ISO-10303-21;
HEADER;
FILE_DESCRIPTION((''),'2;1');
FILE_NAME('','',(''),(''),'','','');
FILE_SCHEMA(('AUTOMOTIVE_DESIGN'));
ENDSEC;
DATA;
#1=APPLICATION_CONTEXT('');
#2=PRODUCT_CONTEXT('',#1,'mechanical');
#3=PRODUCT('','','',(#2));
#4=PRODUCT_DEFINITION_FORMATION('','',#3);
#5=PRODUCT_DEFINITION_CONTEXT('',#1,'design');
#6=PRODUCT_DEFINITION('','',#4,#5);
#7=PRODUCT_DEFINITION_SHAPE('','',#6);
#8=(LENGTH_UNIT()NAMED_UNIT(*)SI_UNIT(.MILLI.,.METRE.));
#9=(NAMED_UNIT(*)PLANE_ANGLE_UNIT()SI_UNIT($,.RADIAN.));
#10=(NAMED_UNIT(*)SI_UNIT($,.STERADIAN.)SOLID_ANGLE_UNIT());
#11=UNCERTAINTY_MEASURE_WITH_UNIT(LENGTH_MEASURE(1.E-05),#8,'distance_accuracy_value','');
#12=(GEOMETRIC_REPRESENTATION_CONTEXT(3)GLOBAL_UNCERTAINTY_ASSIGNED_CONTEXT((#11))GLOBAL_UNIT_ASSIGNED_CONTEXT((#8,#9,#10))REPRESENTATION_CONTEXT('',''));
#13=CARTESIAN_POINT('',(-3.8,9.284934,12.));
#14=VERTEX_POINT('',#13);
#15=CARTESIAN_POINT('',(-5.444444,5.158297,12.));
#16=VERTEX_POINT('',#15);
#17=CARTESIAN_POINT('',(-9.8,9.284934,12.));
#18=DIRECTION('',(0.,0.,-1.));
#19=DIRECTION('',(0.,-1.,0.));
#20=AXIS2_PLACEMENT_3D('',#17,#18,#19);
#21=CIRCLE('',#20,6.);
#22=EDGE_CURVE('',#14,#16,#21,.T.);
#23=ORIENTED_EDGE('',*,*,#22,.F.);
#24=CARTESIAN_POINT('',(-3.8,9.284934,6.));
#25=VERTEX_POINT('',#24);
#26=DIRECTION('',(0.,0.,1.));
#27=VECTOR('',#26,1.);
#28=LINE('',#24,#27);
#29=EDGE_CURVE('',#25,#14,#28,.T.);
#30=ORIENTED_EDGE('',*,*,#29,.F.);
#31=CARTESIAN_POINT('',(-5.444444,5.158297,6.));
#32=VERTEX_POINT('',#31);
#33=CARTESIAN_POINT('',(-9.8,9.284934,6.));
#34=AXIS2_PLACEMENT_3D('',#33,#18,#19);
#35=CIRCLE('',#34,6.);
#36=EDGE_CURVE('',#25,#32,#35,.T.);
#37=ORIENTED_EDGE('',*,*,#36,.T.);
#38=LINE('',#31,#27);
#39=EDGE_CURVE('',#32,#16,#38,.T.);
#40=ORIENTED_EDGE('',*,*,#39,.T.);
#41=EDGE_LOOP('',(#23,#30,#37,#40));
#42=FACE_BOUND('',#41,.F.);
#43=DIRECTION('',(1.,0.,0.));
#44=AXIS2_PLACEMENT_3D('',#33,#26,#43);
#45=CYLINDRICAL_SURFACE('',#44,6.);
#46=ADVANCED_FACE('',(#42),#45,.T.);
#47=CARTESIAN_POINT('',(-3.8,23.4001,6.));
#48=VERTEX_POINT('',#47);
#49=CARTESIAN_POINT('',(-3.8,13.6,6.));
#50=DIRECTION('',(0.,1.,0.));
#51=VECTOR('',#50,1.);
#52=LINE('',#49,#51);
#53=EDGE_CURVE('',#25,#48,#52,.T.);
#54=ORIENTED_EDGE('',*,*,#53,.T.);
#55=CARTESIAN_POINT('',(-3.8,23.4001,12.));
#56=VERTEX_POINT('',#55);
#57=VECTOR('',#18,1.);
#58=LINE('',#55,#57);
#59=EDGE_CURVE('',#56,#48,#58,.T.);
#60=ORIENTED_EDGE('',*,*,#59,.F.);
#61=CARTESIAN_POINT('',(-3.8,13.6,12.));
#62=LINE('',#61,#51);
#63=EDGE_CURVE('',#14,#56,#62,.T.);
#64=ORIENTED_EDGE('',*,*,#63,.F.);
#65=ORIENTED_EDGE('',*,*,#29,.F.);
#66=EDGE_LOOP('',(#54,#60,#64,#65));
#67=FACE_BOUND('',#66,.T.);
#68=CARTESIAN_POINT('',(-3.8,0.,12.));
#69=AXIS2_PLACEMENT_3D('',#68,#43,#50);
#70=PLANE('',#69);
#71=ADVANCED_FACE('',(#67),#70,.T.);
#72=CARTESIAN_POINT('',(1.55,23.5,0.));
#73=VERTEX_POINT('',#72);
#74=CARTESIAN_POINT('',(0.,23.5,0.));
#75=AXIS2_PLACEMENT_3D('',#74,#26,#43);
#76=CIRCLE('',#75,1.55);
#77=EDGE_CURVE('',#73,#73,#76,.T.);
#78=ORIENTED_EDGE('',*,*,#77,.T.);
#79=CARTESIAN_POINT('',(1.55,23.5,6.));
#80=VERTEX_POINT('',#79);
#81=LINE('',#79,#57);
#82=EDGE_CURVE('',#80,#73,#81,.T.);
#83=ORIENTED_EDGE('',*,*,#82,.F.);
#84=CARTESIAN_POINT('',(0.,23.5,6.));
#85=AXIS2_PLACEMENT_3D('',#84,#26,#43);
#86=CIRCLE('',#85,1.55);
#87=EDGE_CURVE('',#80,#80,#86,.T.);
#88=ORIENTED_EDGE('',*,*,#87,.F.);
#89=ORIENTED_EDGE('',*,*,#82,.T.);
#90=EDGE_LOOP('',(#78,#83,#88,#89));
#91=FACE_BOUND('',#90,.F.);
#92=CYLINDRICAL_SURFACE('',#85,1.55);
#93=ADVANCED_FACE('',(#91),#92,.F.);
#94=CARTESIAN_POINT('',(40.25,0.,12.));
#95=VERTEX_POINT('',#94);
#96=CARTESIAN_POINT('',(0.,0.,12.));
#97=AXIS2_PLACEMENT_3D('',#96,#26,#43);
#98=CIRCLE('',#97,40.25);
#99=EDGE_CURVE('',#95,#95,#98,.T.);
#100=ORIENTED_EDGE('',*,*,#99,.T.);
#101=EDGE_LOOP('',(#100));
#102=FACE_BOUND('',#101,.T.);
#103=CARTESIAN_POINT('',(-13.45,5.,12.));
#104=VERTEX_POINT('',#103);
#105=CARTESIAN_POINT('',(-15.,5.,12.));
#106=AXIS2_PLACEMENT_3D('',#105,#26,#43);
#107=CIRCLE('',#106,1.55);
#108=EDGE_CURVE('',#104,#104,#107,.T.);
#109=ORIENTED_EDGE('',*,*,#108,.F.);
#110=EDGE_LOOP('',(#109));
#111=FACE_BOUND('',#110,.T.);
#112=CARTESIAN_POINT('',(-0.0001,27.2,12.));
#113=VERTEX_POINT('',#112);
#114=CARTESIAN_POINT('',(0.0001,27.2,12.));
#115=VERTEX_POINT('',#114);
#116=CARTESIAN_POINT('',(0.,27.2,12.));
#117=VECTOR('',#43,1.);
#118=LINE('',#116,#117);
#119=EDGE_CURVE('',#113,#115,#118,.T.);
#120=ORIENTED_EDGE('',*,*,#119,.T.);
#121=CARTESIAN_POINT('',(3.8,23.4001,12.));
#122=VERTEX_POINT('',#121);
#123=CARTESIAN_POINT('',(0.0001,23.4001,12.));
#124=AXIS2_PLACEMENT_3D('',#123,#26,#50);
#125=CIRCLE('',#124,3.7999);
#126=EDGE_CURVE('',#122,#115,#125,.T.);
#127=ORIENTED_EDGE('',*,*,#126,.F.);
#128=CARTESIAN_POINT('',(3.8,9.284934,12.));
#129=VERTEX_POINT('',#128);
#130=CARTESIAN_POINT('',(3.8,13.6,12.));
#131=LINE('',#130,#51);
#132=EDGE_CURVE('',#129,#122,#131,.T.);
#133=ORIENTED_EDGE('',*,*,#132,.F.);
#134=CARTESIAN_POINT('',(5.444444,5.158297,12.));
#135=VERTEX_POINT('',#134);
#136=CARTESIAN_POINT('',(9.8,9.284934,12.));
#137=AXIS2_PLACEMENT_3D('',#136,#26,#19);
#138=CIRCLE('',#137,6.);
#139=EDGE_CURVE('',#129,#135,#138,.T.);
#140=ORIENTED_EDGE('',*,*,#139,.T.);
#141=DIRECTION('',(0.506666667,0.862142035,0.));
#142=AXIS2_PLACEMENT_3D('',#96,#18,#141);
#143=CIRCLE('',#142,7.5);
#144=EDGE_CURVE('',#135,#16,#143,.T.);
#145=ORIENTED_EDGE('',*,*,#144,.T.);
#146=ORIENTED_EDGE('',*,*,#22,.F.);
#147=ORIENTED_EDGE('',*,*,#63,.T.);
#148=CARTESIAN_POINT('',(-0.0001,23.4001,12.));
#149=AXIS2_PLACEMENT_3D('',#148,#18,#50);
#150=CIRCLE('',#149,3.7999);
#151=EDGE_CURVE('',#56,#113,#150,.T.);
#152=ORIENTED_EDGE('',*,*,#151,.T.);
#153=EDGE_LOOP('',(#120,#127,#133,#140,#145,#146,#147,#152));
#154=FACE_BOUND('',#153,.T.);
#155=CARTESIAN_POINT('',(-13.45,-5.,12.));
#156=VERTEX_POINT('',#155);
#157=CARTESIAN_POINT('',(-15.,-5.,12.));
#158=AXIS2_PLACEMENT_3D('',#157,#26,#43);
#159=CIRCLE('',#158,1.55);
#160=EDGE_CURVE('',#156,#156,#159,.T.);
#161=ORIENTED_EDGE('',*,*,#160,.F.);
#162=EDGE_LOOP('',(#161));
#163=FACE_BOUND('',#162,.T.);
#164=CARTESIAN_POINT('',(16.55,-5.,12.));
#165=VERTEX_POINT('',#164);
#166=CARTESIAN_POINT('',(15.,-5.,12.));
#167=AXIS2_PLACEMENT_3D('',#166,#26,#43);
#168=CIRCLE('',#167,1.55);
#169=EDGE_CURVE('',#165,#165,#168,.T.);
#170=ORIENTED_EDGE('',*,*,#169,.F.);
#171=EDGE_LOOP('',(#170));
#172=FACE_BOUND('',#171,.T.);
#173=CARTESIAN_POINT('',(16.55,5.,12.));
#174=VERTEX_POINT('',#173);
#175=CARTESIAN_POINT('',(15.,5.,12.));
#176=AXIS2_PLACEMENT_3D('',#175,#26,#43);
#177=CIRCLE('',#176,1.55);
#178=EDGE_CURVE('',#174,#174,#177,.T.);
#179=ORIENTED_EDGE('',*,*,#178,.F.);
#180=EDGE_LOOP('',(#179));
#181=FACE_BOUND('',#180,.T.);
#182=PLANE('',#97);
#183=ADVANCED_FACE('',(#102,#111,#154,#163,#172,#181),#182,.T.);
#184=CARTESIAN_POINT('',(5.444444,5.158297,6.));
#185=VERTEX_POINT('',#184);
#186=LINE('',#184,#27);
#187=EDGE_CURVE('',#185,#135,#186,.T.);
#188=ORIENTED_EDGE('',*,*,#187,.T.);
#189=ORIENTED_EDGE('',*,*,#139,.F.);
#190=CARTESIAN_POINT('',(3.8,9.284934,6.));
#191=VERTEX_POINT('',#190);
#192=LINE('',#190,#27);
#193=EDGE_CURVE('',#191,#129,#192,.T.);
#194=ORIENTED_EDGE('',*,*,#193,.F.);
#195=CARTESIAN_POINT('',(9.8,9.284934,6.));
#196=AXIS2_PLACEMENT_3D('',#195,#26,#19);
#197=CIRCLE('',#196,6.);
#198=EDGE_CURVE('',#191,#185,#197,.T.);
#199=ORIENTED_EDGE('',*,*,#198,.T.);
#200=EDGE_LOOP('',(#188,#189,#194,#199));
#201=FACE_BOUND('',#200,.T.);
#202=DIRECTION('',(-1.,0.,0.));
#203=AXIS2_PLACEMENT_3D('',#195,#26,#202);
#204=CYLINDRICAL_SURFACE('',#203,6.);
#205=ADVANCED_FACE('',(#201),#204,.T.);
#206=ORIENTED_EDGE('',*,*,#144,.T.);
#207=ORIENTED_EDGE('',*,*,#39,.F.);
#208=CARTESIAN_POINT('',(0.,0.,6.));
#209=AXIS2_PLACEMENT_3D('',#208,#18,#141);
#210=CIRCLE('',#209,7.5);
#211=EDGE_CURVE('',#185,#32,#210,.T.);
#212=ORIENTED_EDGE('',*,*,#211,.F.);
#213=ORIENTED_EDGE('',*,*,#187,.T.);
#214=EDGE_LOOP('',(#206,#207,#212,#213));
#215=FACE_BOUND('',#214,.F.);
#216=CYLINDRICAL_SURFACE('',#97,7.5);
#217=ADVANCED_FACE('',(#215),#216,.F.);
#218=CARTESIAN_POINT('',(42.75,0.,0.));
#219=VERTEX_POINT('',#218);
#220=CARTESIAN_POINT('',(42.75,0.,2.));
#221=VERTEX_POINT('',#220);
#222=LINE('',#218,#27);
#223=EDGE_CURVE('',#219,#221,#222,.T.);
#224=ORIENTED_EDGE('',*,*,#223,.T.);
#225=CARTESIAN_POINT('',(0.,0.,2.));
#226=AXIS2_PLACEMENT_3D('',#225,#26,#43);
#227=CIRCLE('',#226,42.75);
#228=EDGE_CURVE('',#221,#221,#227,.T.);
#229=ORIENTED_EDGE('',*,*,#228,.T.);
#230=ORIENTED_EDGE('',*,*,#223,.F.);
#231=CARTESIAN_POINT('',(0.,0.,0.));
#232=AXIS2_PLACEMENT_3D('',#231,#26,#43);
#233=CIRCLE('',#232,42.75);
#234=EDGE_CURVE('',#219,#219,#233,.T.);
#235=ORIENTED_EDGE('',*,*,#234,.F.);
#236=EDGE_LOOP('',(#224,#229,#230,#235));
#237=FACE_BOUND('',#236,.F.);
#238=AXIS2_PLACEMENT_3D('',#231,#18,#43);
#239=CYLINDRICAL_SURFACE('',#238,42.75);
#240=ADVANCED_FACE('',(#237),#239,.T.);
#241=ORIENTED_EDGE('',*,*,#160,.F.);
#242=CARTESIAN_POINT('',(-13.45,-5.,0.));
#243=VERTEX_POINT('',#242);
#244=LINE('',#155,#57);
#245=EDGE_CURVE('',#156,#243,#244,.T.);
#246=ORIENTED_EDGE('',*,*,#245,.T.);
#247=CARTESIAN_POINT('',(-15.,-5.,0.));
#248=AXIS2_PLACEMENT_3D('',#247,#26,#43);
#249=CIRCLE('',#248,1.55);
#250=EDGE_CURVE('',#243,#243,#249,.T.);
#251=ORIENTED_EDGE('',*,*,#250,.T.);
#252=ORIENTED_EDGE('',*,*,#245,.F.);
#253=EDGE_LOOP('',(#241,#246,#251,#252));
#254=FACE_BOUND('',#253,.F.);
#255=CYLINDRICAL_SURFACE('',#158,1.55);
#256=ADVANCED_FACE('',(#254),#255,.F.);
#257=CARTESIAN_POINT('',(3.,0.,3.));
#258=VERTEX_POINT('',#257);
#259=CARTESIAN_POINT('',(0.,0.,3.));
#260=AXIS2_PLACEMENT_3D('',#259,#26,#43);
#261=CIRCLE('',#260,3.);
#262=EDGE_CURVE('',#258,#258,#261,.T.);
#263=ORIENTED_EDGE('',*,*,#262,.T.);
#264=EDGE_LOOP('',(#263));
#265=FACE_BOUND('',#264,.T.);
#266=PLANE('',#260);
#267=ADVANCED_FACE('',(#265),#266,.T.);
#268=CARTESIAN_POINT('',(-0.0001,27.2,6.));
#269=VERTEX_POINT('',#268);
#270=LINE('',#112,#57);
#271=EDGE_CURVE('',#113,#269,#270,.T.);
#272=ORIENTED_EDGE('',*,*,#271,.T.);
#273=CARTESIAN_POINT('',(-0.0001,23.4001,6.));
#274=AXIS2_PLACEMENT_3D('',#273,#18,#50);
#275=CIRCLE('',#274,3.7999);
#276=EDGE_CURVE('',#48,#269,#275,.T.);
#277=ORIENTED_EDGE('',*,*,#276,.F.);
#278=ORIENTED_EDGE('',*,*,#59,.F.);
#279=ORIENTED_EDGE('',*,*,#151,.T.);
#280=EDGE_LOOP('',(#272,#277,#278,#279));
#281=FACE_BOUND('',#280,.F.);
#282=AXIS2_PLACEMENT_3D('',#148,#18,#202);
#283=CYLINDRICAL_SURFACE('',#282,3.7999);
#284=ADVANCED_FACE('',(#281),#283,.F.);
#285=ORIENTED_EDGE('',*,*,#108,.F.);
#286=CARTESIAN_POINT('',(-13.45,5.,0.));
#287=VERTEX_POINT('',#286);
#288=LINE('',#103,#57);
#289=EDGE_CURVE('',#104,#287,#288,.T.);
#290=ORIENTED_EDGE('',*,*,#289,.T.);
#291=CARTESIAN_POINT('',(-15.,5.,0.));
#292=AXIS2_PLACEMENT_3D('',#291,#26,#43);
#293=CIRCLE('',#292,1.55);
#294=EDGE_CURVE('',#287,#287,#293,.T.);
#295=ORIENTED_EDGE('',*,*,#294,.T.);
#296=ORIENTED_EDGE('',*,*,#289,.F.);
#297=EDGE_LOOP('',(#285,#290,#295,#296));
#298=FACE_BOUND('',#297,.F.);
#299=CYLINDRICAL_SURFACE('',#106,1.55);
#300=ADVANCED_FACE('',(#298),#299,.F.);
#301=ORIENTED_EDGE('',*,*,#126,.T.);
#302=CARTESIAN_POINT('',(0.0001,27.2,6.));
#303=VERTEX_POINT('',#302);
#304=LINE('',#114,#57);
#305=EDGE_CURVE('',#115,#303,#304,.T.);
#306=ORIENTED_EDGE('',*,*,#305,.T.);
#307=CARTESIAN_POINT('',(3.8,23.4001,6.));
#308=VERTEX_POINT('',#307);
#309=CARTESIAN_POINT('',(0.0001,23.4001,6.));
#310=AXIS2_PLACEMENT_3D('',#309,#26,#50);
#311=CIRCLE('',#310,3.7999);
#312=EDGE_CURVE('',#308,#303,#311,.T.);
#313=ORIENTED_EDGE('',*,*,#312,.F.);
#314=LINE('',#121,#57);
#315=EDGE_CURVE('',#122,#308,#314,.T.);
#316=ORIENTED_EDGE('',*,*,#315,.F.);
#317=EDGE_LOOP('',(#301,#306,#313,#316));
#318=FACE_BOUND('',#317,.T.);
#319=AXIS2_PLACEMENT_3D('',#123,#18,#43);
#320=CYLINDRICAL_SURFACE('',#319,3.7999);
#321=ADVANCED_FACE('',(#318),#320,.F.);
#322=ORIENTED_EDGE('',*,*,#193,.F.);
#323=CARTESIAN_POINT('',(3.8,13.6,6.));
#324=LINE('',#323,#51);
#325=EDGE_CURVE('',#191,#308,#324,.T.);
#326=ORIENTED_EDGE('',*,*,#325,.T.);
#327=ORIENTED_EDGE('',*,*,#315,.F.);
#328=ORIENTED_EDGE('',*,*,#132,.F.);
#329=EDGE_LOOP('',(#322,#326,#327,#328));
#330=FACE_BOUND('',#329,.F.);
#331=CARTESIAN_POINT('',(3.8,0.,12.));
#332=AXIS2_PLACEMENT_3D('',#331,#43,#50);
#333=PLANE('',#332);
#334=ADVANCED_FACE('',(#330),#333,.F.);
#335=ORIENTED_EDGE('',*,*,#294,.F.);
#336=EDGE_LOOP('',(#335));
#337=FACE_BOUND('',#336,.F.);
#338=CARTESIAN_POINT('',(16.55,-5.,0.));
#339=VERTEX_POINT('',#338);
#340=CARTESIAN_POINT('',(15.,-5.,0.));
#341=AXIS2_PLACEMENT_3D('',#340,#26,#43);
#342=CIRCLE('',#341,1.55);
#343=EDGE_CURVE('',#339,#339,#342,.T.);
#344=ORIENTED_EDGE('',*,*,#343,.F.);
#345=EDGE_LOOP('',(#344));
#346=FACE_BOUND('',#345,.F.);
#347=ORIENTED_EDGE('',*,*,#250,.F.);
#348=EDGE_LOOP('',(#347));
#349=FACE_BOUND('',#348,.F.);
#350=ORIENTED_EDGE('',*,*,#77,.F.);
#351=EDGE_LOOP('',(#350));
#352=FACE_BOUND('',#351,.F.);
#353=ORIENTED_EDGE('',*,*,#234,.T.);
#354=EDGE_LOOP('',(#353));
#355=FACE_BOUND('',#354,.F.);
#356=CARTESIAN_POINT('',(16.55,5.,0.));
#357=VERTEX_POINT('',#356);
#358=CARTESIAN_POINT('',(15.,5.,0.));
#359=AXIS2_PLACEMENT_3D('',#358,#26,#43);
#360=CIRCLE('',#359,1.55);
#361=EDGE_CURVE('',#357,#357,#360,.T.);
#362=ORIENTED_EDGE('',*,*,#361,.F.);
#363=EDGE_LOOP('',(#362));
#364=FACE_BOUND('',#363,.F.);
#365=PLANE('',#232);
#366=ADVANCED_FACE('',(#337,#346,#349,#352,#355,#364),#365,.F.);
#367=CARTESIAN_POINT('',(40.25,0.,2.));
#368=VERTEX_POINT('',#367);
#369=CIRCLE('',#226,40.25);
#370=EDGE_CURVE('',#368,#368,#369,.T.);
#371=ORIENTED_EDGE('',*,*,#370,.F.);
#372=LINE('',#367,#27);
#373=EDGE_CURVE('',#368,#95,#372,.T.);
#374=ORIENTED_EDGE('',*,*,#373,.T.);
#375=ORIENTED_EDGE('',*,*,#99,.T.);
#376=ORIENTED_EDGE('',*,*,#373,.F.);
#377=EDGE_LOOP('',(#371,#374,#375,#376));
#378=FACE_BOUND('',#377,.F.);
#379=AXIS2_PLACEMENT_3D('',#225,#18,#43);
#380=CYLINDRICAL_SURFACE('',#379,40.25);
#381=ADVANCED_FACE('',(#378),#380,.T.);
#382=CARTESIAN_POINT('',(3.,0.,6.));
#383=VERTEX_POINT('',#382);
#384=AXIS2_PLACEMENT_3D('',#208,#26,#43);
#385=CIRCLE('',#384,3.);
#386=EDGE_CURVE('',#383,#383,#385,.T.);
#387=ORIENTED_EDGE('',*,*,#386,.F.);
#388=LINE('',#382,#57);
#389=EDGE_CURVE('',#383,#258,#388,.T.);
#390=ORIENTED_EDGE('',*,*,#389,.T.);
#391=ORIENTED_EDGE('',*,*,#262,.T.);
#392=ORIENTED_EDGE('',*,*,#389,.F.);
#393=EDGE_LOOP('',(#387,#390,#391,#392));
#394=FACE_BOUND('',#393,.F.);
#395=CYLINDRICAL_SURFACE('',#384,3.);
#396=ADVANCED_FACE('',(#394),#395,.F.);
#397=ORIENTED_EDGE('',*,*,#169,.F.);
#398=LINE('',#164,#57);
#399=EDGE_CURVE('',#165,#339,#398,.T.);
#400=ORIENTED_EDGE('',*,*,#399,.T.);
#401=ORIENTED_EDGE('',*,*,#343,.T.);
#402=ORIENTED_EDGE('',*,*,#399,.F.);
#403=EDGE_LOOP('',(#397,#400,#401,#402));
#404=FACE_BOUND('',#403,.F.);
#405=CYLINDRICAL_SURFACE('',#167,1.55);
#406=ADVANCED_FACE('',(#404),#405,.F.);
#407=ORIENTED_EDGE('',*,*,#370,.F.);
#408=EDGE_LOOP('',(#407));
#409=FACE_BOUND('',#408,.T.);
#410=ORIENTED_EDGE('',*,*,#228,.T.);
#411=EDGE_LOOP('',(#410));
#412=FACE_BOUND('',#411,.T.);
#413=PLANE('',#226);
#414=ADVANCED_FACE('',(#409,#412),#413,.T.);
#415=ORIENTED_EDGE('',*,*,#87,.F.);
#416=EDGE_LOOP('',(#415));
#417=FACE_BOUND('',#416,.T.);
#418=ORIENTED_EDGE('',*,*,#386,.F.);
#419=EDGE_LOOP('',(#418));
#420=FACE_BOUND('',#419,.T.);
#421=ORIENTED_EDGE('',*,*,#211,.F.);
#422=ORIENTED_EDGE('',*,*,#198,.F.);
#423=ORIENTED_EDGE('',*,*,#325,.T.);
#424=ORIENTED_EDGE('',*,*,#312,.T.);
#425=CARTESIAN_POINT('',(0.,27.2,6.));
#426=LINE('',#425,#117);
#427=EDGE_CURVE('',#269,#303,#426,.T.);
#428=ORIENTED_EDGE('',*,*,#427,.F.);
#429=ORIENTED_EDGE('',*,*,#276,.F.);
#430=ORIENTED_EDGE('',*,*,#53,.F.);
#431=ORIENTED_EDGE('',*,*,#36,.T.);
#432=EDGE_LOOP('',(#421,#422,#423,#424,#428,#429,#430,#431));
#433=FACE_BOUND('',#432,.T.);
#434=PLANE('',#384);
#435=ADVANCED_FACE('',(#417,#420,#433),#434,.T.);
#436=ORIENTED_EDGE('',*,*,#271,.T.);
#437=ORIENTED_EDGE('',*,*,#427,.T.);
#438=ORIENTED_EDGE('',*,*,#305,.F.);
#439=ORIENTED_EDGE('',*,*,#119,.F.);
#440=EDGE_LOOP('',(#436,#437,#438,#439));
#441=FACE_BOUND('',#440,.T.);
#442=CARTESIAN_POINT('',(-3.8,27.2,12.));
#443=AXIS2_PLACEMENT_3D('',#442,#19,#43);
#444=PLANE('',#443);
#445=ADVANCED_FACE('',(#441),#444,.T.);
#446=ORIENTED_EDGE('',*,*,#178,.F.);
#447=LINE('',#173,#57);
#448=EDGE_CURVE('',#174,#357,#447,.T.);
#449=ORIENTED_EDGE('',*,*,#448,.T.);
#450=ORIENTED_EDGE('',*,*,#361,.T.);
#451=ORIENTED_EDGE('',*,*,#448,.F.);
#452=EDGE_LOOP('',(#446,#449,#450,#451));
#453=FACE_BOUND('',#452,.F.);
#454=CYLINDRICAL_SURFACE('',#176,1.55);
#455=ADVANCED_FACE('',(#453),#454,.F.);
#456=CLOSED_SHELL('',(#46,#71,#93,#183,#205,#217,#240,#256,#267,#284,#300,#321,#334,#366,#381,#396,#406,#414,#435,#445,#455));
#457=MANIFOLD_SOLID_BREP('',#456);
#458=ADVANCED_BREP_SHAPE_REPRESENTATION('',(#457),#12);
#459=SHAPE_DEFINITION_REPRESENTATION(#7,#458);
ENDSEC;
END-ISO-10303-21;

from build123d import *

# Parameters (mm, degrees)
SKETCH_R        = 42.75
PAD_DEPTH       = 2
SKETCH001_R     = 40.25
PAD001_DEPTH    = 10
SKETCH002_R     = 7.5
POCKET_DEPTH    = 6
SKETCH003_W     = 7.6
SKETCH003_H     = 27.2
POCKET001_DEPTH = 6
FILLET_R        = 6
FILLET001_R     = 3.7999
SKETCH004_R     = 1.55
POCKET002_DEPTH = 6
SKETCH005_R     = 3
POCKET003_DEPTH = 3
SKETCH006_R     = 1.55
POCKET004_DEPTH = 12


with BuildPart() as part:
    # Sketch → Pad (new body)
    with BuildSketch(Plane.XY):
        Circle(SKETCH_R)
    extrude(amount=PAD_DEPTH)

    # Sketch001 (on Face3 of Pad) → Pad001 (join)
    with BuildSketch(Plane.XY.offset(2)):
        Circle(SKETCH001_R)
    extrude(amount=PAD001_DEPTH)

    # Sketch002 (on Face5 of Pad001) → Pocket (cut)
    with BuildSketch(Plane.XY.offset(12)):
        Circle(SKETCH002_R)
    extrude(amount=-POCKET_DEPTH, mode=Mode.SUBTRACT)

    # Sketch003 (on Face5 of Pocket) → Pocket001 (cut)
    with BuildSketch(Plane.XY.offset(12)):
        with Locations((0, 13.6)):
            Rectangle(SKETCH003_W, SKETCH003_H)
    extrude(amount=-POCKET001_DEPTH, mode=Mode.SUBTRACT)

    # Fillet
    fillet_edges = [part.edges().sort_by_distance(p)[0] for p in [
        (-3.8, 6.466065, 9),
        (3.8, 6.466065, 9),
    ]]
    fillet(fillet_edges, radius=FILLET_R)

    # Fillet001
    fillet001_edges = [part.edges().sort_by_distance(p)[0] for p in [
        (3.8, 27.2, 9),
        (-3.8, 27.2, 9),
    ]]
    fillet(fillet001_edges, radius=FILLET001_R)

    # Sketch004 (on Face12 of Fillet001) → Pocket002 (cut)
    with BuildSketch(Plane.XY.offset(6)):
        with Locations((0, 23.5)):
            Circle(SKETCH004_R)
    extrude(amount=-POCKET002_DEPTH, mode=Mode.SUBTRACT)

    # Sketch005 (on Face13 of Pocket002) → Pocket003 (cut)
    with BuildSketch(Plane.XY.offset(6)):
        Circle(SKETCH005_R)
    extrude(amount=-POCKET003_DEPTH, mode=Mode.SUBTRACT)

    # Sketch006 (on Face1 of Pocket003) → Pocket004 (cut)
    with BuildSketch(Plane.XY.offset(12)):
        with Locations((-15, 5)):
            Circle(SKETCH006_R)
        with Locations((15, 5)):
            Circle(SKETCH006_R)
        with Locations((15, -5)):
            Circle(SKETCH006_R)
        with Locations((-15, -5)):
            Circle(SKETCH006_R)
    extrude(amount=-POCKET004_DEPTH, mode=Mode.SUBTRACT)


solid = part.part
